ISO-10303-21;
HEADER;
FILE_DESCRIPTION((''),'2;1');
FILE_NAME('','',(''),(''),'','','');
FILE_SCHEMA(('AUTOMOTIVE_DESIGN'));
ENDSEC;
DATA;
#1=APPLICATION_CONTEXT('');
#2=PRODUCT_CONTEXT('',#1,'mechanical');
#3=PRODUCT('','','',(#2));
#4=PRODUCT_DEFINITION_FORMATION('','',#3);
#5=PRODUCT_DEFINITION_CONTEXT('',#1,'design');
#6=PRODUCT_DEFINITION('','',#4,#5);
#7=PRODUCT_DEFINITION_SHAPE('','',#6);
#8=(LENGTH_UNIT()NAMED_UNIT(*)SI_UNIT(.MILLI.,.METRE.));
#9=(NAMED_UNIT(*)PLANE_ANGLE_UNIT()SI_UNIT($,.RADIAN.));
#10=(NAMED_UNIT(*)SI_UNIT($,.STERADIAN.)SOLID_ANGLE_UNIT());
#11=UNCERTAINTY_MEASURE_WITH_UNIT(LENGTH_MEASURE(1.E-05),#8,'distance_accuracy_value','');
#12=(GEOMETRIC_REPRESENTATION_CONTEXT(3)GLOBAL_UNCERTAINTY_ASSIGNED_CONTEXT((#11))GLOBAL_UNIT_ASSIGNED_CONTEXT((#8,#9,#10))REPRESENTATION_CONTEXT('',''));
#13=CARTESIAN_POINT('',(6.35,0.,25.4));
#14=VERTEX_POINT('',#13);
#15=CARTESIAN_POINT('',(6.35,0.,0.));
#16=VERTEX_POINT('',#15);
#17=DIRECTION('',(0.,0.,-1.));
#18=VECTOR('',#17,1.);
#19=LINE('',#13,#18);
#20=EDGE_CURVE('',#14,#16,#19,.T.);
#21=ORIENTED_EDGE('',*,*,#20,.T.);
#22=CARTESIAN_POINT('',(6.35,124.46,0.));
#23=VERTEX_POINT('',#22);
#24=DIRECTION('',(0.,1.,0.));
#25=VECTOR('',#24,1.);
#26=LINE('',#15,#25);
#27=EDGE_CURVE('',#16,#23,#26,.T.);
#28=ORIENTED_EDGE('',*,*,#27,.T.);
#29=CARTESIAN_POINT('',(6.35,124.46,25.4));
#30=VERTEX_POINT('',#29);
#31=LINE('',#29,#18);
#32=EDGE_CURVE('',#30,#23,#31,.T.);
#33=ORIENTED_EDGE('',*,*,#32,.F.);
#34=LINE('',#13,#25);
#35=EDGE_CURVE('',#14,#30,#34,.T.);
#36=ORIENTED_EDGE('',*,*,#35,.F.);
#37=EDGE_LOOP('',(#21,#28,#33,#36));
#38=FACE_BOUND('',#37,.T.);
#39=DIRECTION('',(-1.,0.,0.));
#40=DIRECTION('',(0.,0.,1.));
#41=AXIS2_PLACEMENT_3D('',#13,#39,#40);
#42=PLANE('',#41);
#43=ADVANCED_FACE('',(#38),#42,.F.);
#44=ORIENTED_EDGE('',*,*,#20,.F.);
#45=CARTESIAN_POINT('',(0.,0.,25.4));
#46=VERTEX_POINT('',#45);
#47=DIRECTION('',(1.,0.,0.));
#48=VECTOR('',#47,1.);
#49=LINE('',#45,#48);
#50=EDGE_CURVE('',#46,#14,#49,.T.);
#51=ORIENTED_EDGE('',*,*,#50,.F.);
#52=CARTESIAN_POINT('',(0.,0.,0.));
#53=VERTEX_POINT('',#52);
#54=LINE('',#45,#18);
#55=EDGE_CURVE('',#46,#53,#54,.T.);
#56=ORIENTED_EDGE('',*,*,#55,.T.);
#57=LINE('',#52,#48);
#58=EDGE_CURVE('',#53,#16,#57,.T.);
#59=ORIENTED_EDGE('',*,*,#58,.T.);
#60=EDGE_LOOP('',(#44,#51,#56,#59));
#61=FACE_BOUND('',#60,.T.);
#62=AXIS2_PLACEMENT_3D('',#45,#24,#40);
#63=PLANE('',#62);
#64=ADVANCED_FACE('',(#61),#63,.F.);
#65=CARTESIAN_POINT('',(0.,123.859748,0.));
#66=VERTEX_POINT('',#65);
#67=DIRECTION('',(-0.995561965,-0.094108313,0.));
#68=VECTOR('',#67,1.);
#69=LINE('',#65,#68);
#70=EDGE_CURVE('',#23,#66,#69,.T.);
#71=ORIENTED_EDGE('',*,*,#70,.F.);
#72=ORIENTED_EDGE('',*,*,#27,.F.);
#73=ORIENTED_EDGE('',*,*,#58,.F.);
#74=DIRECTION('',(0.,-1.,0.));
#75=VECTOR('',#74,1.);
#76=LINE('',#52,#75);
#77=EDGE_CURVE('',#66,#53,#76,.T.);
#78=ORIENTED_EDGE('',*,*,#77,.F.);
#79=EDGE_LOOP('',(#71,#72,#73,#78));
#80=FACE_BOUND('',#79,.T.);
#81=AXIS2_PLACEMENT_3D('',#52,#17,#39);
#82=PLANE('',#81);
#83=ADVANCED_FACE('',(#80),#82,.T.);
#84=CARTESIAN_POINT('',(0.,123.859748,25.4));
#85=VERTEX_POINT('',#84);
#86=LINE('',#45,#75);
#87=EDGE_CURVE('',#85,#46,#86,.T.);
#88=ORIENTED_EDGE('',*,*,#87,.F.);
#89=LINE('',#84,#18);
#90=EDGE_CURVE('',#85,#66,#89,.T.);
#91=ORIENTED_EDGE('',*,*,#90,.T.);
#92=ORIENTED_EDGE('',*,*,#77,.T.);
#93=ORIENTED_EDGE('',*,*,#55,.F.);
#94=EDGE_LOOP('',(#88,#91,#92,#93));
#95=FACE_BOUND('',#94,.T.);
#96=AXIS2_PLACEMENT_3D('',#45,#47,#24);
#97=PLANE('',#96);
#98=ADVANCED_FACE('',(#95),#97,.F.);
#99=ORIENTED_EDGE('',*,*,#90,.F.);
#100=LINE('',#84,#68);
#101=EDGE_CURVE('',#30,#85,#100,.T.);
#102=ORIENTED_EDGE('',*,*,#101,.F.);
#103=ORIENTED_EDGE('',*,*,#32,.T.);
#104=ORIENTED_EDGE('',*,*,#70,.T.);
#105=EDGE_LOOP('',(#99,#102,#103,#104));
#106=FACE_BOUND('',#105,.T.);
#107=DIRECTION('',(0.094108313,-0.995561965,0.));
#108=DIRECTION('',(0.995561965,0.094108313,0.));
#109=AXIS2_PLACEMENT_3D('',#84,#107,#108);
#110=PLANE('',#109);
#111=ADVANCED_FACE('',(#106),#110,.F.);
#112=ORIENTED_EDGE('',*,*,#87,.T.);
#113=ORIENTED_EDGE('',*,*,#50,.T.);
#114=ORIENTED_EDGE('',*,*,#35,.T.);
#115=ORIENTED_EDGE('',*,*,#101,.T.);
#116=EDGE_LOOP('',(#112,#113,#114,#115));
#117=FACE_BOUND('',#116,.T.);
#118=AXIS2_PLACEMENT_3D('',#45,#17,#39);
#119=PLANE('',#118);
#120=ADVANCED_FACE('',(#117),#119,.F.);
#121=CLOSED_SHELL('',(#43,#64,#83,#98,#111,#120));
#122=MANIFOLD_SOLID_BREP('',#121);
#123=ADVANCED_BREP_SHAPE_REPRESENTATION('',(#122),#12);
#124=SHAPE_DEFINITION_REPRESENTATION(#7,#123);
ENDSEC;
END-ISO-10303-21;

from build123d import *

# Parameters (mm, degrees)
BOSS_EXTRUDE1_DEPTH = 25.4


with BuildPart() as part:
    # Sketch1 → Boss-Extrude1 (new body)
    with BuildSketch(Plane.XY):
        Polygon((0, 0), (6.35, 0), (6.35, 124.46), (0, 123.859748272), align=None)
    extrude(amount=BOSS_EXTRUDE1_DEPTH)


solid = part.part
